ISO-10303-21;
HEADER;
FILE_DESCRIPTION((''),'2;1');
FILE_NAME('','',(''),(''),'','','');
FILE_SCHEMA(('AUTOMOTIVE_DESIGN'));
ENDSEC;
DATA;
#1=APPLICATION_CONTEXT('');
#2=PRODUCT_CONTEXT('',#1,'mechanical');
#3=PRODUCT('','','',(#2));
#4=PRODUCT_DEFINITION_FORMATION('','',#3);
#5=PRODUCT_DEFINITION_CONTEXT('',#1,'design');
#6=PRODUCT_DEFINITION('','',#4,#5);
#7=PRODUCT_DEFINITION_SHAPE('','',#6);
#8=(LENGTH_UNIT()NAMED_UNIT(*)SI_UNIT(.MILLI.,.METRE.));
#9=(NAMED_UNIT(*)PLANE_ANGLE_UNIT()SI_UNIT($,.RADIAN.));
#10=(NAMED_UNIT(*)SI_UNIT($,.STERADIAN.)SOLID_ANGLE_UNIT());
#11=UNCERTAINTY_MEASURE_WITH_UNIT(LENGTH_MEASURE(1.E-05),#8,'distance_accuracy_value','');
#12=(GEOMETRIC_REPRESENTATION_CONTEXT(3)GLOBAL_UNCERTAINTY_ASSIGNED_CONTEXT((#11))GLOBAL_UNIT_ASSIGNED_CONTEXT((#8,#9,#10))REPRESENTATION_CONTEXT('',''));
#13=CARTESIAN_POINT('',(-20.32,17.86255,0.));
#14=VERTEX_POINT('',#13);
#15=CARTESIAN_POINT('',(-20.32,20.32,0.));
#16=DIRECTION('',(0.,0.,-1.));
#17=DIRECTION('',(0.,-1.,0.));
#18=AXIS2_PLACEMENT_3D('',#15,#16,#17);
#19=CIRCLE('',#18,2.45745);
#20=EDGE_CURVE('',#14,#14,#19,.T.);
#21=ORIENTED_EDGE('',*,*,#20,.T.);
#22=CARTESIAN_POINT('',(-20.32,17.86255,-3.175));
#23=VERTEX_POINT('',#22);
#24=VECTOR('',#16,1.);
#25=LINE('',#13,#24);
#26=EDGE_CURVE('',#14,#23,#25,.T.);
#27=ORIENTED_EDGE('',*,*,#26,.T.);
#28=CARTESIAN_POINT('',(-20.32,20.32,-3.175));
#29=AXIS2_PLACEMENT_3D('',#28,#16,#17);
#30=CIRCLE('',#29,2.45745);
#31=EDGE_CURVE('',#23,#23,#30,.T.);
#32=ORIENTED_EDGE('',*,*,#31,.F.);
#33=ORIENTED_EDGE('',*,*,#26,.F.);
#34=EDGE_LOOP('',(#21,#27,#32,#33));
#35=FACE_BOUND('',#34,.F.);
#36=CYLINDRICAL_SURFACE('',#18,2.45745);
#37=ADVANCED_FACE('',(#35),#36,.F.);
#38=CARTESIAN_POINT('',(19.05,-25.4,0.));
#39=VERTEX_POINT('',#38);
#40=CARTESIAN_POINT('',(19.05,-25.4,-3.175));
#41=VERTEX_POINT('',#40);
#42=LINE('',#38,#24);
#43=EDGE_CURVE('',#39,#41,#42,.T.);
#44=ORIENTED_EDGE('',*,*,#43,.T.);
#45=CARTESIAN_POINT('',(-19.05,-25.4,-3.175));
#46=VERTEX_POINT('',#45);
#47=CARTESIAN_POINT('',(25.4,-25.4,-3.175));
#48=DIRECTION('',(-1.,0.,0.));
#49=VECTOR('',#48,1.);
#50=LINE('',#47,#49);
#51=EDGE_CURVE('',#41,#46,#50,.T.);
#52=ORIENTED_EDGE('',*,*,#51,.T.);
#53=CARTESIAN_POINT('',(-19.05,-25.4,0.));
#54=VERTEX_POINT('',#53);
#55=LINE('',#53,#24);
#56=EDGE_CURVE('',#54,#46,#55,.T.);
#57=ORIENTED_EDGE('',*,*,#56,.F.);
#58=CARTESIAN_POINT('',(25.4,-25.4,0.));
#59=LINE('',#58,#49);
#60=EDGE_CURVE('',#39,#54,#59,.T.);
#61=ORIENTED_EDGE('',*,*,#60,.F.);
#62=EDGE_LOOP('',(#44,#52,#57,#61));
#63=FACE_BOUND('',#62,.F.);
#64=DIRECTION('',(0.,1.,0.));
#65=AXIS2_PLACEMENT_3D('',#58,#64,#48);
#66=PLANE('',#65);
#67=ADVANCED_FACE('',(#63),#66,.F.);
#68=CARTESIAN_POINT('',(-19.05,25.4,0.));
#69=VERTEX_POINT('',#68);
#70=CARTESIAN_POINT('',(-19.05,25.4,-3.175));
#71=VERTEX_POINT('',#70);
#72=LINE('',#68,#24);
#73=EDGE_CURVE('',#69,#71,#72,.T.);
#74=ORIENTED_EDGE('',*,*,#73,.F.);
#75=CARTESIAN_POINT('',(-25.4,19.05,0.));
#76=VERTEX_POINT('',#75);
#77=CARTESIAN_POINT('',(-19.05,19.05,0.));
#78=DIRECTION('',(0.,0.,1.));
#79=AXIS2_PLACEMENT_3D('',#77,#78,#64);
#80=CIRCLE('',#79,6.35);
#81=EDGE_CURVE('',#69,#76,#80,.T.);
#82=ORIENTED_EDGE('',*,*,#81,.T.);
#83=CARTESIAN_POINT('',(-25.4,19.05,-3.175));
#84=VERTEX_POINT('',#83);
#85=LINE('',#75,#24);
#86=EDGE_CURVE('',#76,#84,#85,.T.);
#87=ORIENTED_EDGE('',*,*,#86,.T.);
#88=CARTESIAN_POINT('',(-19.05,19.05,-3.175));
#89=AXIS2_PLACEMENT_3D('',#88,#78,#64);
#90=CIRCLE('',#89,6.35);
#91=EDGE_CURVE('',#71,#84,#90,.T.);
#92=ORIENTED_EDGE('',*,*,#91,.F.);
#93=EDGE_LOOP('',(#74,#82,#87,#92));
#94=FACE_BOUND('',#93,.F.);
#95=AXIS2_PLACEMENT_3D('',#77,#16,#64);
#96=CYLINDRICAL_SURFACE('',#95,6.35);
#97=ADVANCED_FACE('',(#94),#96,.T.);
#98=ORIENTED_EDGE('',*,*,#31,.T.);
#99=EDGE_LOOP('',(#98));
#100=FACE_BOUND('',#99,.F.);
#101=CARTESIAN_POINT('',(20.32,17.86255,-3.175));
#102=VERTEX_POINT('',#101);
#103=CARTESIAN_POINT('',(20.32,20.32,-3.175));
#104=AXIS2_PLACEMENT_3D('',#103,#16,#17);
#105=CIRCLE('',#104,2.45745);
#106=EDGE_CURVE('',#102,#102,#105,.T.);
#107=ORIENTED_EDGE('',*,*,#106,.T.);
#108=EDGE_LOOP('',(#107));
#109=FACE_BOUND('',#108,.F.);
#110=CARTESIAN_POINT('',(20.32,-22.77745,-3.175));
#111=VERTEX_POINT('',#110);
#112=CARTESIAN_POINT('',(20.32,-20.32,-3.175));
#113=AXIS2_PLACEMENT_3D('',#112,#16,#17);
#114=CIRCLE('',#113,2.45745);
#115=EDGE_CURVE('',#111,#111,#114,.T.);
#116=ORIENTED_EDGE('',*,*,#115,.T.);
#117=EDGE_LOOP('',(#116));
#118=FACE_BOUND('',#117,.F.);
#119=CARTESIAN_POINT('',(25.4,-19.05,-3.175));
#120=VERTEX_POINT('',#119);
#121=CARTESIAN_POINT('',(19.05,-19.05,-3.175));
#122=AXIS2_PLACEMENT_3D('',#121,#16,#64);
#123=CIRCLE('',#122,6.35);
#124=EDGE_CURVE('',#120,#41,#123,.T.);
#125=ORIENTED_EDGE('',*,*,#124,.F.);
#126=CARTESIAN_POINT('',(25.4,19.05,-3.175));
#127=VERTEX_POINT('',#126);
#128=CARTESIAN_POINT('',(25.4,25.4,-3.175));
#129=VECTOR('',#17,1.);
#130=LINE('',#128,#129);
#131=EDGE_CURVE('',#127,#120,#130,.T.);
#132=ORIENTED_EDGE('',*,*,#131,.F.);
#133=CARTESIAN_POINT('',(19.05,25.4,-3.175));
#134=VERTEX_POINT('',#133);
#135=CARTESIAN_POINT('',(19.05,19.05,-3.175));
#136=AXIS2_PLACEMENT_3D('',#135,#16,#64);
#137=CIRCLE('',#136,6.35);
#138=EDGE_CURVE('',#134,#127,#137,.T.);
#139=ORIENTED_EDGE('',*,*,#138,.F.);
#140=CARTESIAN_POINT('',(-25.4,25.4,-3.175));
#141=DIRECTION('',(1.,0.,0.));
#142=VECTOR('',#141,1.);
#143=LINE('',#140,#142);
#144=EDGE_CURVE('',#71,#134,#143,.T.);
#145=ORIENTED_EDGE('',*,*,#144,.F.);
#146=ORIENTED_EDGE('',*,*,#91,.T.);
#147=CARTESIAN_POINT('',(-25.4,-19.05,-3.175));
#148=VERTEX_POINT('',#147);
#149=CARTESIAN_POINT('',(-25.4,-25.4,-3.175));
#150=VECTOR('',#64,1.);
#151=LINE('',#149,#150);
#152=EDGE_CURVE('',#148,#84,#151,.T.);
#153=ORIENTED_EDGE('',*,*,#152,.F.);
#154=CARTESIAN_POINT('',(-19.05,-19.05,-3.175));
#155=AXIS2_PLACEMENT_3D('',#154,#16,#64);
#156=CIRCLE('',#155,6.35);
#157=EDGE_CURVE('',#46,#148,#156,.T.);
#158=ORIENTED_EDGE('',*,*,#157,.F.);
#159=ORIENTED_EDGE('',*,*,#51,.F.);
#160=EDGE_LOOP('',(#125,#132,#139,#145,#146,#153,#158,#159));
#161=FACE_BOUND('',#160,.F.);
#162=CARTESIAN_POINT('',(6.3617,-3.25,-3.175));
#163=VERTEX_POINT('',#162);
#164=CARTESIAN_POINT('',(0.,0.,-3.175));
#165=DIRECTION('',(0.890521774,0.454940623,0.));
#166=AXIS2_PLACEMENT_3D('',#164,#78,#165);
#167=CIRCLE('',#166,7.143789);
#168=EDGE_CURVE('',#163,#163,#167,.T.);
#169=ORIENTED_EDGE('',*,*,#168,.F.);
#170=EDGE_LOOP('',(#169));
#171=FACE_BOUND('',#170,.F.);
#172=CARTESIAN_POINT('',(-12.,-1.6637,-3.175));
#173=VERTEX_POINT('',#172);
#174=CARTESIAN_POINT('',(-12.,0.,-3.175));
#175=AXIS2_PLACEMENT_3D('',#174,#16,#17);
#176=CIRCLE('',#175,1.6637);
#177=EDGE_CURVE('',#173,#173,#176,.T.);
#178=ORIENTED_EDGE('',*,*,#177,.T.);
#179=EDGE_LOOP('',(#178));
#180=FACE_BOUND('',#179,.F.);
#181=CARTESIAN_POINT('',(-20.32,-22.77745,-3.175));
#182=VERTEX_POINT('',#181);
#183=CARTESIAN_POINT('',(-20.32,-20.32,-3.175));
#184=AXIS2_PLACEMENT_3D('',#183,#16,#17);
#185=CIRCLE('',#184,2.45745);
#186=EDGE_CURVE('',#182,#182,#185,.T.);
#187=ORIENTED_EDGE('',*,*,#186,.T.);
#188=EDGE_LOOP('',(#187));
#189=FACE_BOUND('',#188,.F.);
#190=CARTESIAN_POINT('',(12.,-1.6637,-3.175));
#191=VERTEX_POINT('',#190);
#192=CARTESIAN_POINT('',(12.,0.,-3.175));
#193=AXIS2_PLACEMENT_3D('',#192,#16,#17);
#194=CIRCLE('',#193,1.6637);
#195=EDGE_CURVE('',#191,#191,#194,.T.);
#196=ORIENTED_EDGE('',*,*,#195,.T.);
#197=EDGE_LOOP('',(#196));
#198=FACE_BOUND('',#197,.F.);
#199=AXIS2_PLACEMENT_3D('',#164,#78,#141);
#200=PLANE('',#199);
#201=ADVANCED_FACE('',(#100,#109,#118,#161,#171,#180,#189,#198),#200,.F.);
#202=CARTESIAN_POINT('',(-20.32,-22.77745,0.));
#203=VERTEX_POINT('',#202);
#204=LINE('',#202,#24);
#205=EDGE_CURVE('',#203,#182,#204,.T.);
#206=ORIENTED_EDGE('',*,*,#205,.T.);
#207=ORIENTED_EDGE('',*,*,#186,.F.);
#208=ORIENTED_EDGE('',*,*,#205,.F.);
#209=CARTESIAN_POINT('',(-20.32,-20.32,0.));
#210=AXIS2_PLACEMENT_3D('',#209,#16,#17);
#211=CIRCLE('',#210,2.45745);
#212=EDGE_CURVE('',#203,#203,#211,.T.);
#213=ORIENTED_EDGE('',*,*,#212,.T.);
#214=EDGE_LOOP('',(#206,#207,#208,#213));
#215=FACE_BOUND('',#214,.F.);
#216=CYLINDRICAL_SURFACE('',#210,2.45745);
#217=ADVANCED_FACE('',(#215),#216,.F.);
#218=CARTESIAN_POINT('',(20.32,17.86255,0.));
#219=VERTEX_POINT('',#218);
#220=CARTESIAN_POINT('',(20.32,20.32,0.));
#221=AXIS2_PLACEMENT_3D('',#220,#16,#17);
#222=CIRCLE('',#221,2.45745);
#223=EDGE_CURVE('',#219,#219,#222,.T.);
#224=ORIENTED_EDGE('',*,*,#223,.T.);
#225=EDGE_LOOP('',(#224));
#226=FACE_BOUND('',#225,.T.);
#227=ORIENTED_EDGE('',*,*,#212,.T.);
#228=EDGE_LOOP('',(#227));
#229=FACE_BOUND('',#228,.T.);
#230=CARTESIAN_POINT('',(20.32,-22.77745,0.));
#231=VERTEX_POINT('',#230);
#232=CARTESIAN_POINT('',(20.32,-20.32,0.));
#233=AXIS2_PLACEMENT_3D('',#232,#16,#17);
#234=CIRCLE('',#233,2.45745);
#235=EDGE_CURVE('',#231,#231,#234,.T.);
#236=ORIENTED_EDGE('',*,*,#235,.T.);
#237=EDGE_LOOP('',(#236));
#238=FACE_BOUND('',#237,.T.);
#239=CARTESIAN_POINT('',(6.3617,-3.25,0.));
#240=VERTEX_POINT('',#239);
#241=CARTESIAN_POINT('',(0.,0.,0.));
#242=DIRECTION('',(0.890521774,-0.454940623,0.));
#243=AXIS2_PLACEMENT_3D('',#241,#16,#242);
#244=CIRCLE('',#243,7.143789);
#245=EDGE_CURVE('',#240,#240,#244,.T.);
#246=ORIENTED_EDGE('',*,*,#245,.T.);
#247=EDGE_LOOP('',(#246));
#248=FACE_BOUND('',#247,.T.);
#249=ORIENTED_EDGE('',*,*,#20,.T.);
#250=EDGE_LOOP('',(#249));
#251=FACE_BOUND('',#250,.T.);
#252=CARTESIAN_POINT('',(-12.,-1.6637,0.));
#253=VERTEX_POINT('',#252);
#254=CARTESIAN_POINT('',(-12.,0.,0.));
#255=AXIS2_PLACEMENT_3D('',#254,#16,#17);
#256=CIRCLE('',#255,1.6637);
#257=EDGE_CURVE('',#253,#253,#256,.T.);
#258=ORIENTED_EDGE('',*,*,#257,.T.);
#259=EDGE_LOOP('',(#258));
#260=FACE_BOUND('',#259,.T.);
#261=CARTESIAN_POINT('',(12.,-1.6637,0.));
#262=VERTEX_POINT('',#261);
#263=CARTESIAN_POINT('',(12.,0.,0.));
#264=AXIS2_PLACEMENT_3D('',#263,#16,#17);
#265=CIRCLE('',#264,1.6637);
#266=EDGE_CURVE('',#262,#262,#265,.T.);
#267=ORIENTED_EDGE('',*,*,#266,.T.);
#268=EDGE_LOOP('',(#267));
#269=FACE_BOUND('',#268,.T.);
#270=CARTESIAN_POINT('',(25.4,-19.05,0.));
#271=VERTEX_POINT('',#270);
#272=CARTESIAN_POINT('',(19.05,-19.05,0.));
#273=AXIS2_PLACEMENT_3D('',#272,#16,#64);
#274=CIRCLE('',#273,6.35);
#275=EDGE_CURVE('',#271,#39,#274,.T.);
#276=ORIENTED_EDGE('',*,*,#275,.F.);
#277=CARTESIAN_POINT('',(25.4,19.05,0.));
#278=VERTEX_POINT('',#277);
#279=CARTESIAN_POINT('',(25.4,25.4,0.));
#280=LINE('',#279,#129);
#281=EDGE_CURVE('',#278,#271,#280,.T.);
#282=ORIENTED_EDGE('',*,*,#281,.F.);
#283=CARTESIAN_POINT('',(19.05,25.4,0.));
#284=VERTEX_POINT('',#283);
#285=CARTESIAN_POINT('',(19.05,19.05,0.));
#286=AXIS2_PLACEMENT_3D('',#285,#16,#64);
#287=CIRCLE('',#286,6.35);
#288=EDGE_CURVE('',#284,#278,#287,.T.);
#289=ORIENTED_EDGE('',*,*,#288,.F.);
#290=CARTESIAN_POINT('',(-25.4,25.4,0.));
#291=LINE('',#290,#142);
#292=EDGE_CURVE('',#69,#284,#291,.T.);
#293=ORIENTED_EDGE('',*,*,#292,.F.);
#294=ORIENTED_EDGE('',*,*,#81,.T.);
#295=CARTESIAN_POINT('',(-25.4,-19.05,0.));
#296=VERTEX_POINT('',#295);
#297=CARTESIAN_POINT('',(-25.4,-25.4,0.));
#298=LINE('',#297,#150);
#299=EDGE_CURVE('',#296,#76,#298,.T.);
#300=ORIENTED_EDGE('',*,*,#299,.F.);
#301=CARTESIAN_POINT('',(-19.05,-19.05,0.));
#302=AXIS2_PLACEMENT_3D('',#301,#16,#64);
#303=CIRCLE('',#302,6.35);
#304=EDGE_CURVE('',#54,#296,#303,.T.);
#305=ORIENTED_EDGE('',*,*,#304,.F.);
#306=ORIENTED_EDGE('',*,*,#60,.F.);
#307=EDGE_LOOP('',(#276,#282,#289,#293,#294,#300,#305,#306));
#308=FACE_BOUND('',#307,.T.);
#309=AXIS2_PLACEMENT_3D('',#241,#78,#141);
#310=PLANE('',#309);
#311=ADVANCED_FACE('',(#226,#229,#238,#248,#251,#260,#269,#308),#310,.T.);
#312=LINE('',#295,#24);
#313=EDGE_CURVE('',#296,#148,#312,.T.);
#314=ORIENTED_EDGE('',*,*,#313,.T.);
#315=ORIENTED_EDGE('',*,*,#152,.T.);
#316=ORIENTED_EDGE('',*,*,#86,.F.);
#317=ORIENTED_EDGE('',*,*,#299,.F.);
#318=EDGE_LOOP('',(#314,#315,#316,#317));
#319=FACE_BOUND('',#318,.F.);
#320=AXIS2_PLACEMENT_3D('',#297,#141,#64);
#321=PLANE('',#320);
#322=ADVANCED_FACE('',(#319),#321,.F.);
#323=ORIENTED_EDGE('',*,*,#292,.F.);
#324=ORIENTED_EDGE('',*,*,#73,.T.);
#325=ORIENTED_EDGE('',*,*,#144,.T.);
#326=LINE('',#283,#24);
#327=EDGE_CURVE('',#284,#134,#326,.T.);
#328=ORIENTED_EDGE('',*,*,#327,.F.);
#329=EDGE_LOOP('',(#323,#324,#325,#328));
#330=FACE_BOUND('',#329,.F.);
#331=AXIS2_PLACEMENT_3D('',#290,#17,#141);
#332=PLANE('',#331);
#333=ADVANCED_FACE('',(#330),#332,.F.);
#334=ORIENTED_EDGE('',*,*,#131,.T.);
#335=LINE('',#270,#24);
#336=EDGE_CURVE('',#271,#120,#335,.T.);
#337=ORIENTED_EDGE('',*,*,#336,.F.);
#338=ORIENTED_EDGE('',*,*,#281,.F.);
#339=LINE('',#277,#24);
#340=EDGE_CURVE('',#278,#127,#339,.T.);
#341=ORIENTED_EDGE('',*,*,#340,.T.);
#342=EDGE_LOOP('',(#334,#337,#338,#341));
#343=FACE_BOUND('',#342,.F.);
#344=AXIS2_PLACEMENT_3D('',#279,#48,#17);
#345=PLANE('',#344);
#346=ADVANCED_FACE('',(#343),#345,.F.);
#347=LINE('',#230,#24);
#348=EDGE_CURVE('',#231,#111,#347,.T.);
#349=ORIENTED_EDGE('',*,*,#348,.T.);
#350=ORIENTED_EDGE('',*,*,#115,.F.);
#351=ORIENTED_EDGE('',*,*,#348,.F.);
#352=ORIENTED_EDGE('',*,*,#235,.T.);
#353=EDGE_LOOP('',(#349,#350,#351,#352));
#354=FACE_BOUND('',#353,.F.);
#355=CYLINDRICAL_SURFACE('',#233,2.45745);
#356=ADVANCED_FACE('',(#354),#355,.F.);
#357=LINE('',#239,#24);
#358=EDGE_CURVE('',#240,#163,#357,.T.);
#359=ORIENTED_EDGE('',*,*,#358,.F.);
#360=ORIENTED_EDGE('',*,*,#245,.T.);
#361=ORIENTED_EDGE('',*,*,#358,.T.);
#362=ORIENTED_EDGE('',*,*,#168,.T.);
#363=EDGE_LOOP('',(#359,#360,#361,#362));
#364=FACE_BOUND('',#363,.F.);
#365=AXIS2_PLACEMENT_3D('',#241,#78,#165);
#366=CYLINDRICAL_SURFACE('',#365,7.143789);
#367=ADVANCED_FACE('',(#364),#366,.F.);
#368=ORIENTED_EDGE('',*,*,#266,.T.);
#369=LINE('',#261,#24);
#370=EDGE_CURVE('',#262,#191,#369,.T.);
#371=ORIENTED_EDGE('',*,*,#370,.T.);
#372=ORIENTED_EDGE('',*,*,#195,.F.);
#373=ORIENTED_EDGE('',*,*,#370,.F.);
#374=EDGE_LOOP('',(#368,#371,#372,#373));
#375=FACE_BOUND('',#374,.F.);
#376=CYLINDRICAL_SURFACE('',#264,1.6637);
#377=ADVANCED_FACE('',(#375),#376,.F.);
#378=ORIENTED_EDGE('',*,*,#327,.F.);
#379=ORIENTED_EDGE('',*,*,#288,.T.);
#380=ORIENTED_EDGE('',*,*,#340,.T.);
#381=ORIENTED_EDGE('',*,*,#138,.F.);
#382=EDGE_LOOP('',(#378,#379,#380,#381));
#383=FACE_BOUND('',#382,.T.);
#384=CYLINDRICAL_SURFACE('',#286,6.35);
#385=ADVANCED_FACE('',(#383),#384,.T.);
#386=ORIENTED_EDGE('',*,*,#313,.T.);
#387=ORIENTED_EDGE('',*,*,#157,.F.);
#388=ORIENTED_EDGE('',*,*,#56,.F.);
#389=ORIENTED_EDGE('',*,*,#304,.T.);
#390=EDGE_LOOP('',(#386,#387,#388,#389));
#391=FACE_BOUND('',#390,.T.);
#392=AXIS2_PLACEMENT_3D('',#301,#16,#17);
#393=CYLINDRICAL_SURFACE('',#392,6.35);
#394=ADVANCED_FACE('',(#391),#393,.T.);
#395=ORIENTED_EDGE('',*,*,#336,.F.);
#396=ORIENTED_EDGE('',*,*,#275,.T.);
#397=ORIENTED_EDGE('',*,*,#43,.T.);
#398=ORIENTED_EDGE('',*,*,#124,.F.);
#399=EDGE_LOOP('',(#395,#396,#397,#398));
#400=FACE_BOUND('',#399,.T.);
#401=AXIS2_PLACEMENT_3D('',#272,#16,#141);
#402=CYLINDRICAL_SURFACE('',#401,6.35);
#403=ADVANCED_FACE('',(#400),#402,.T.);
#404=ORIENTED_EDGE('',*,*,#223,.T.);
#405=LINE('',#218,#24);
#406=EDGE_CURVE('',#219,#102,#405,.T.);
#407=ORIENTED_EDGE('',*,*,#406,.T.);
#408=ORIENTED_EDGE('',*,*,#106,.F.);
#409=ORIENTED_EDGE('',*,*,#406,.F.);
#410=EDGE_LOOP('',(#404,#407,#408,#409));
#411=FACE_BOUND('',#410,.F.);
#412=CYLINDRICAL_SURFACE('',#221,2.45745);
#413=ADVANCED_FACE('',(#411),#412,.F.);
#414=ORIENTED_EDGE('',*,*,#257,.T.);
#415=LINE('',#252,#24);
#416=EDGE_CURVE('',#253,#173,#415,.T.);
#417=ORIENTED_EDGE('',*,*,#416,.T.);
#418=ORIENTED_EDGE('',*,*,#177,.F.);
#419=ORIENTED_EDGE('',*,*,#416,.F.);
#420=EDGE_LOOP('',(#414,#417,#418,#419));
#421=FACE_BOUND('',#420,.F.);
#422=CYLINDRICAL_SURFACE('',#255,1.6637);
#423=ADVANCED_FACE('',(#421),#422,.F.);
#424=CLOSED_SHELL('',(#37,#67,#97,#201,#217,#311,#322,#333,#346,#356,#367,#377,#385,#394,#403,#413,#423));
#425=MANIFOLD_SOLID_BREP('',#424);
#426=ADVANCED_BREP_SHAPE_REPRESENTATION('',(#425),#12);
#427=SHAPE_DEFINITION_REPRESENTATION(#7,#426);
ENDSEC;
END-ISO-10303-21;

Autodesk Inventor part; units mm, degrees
ref_plane "YZ Plane" through (0, 0, 0) normal (1, 0, 0) x (0, 1, 0)
ref_plane "XZ Plane" through (0, 0, 0) normal (0, 1, 0) x (-1, 0, 0)
ref_plane "XY Plane" through (0, 0, 0) normal (0, 0, 1) x (1, 0, 0)
sketch "Sketch1" plane through (0, 0, 0) normal (0, 0, 1) x (1, 0, 0)
  line L0 (-13, 12) -> (13, 12)
  line L1 (13, 12) -> (13, -12)
  line L2 (13, -12) -> (-13, -12)
  line L3 (-13, -12) -> (-13, 12)
  line L4 (-13, 3.25) -> (-15, 3.25)
  line L5 (-15, 3.25) -> (-15, -3.25)
  line L6 (-15, -3.25) -> (-13, -3.25)
  line L7 (-13, -3.25) -> (-13, 3.25)
  line L8 (13, 3.25) -> (15, 3.25)
  line L9 (15, 3.25) -> (15, -3.25)
  line L10 (15, -3.25) -> (13, -3.25)
  line L11 (13, -3.25) -> (13, 3.25)
  line L12 (-25.4, 25.4) -> (25.4, 25.4)
  line L13 (25.4, 25.4) -> (25.4, -25.4)
  line L14 (25.4, -25.4) -> (-25.4, -25.4)
  line L15 (-25.4, -25.4) -> (-25.4, 25.4)
  arc A0 (6.3617, 3.25) -> (-6.3617, 3.25) centre (0, 0) ccw
  circle A1 centre (-3, 12) radius 1.5
  line L16 (-13, 8) -> (-9, 12)
  line L17 (9, 12) -> (13, 8)
  line L18 (13, -8) -> (9, -12)
  line L19 (-13, -8) -> (-9, -12)
  line L20 (-14, 3.25) -> (14, 3.25)
  line L21 (-14, -3.25) -> (-6.3617, -3.25)
  arc A2 (6.3617, -3.25) -> (6.3617, 3.25) centre (0, 0) ccw
  arc A3 (-6.3617, 3.25) -> (-6.3617, -3.25) centre (0, 0) ccw
  arc A4 (-6.3617, -3.25) -> (6.3617, -3.25) centre (0, 0) ccw
  line L22 (-6.3617, -3.25) -> (14, -3.25)
  line L23 (-15, 3.25) -> (15, 3.25)
  line L24 (15, 3.25) -> (15, -3.25)
  line L25 (15, -3.25) -> (-15, -3.25)
  line L26 (-15, -3.25) -> (-15, 3.25)
  point P0 (-20.32, 20.32)
  point P1 (20.32, 20.32)
  point P2 (20.32, -20.32)
  point P3 (-20.32, -20.32)
  point P4 (-12, 0)
  point P5 (12, 0)
  dimension "d0" = 24
  dimension "d1" = 12
  dimension "d2" = 26
  dimension "d3" = 13
  dimension "d4" = 2
  dimension "d5" = 6.5
  dimension "d6" = 3.25
  dimension "d7" = 2
  dimension "d8" = 14.2875
  dimension "d9" = 50.8
  dimension "d10" = 25.4
  dimension "d11" = 50.8
  dimension "d12" = 25.4
  dimension "d13" = 3
  dimension "d14" = 10
  dimension "d15" = 4
  dimension "d16" = 4
  dimension "d17" = 4
  dimension "d18" = 4
  dimension "d19" = 4
  dimension "d20" = 5.08
  dimension "d21" = 5.08
  dimension "d22" = 5.08
  dimension "d23" = 5.08
  dimension "d34" = 40.64
  dimension "d35" = 40.64
  dimension "d61" = 12
  dimension "d62" = 12
extrude "Extrusion1" add sketch "Sketch1" against normal blind 3.175 contours L0 L16 L3 | L0 A1 L17 L1 L20 A0 L3 L16 | A1 L0 | L0 A1 | L20 A3 L21 L3 | L3 L6 L5 L4 | L21 A4 L22 L1 L18 L2 L19 L3 | A0 L20 | L20 A2 L22 A3 | L0 L1 L17 | L19 L2 L3 | L22 A4 | L20 L1 L22 A2 | L8 L9 L10 L1 | L18 L1 L2 | L12 L13 L14 L15
fillet "Fillet2" radius 6.35 4 edges at (25.4, 25.4, -1.5875) (25.4, -25.4, -1.5875) (-25.4, 25.4, -1.5875) (-25.4, -25.4, -1.5875)
hole "Hole2" at (-20.32, 20.32, 0) at (20.32, 20.32, 0) at (20.32, -20.32, 0) at (-20.32, -20.32, 0) direction (0, 0, -1) diameter 4.9149 end through all
extrude "Extrusion6" cut sketch "Sketch1" against normal through all contours A0 L20 | L20 A2 L22 A3 | L22 A4
hole "Hole3" at (-12, 0, 0) at (12, 0, 0) direction (0, 0, -1) diameter 3.3274 end through all
equation "\"d1\" = 0.5 * d0"
equation "\"d3\" = 0.5 * d2"
equation "\"d6\" = 0.5 * d5"
equation "\"d7\" = d4"
equation "\"d10\" = 0.5 * d9"
equation "\"d12\" = 0.5 * d11"
equation "\"d16\" = d15"
equation "\"d17\" = d15"
equation "\"d18\" = d15"
equation "\"d19\" = d15"
equation "\"d22\" = d21"
equation "\"d23\" = d21"
equation "\"d62\" = d61"
properties part number "BD gearbox mount top plate"
